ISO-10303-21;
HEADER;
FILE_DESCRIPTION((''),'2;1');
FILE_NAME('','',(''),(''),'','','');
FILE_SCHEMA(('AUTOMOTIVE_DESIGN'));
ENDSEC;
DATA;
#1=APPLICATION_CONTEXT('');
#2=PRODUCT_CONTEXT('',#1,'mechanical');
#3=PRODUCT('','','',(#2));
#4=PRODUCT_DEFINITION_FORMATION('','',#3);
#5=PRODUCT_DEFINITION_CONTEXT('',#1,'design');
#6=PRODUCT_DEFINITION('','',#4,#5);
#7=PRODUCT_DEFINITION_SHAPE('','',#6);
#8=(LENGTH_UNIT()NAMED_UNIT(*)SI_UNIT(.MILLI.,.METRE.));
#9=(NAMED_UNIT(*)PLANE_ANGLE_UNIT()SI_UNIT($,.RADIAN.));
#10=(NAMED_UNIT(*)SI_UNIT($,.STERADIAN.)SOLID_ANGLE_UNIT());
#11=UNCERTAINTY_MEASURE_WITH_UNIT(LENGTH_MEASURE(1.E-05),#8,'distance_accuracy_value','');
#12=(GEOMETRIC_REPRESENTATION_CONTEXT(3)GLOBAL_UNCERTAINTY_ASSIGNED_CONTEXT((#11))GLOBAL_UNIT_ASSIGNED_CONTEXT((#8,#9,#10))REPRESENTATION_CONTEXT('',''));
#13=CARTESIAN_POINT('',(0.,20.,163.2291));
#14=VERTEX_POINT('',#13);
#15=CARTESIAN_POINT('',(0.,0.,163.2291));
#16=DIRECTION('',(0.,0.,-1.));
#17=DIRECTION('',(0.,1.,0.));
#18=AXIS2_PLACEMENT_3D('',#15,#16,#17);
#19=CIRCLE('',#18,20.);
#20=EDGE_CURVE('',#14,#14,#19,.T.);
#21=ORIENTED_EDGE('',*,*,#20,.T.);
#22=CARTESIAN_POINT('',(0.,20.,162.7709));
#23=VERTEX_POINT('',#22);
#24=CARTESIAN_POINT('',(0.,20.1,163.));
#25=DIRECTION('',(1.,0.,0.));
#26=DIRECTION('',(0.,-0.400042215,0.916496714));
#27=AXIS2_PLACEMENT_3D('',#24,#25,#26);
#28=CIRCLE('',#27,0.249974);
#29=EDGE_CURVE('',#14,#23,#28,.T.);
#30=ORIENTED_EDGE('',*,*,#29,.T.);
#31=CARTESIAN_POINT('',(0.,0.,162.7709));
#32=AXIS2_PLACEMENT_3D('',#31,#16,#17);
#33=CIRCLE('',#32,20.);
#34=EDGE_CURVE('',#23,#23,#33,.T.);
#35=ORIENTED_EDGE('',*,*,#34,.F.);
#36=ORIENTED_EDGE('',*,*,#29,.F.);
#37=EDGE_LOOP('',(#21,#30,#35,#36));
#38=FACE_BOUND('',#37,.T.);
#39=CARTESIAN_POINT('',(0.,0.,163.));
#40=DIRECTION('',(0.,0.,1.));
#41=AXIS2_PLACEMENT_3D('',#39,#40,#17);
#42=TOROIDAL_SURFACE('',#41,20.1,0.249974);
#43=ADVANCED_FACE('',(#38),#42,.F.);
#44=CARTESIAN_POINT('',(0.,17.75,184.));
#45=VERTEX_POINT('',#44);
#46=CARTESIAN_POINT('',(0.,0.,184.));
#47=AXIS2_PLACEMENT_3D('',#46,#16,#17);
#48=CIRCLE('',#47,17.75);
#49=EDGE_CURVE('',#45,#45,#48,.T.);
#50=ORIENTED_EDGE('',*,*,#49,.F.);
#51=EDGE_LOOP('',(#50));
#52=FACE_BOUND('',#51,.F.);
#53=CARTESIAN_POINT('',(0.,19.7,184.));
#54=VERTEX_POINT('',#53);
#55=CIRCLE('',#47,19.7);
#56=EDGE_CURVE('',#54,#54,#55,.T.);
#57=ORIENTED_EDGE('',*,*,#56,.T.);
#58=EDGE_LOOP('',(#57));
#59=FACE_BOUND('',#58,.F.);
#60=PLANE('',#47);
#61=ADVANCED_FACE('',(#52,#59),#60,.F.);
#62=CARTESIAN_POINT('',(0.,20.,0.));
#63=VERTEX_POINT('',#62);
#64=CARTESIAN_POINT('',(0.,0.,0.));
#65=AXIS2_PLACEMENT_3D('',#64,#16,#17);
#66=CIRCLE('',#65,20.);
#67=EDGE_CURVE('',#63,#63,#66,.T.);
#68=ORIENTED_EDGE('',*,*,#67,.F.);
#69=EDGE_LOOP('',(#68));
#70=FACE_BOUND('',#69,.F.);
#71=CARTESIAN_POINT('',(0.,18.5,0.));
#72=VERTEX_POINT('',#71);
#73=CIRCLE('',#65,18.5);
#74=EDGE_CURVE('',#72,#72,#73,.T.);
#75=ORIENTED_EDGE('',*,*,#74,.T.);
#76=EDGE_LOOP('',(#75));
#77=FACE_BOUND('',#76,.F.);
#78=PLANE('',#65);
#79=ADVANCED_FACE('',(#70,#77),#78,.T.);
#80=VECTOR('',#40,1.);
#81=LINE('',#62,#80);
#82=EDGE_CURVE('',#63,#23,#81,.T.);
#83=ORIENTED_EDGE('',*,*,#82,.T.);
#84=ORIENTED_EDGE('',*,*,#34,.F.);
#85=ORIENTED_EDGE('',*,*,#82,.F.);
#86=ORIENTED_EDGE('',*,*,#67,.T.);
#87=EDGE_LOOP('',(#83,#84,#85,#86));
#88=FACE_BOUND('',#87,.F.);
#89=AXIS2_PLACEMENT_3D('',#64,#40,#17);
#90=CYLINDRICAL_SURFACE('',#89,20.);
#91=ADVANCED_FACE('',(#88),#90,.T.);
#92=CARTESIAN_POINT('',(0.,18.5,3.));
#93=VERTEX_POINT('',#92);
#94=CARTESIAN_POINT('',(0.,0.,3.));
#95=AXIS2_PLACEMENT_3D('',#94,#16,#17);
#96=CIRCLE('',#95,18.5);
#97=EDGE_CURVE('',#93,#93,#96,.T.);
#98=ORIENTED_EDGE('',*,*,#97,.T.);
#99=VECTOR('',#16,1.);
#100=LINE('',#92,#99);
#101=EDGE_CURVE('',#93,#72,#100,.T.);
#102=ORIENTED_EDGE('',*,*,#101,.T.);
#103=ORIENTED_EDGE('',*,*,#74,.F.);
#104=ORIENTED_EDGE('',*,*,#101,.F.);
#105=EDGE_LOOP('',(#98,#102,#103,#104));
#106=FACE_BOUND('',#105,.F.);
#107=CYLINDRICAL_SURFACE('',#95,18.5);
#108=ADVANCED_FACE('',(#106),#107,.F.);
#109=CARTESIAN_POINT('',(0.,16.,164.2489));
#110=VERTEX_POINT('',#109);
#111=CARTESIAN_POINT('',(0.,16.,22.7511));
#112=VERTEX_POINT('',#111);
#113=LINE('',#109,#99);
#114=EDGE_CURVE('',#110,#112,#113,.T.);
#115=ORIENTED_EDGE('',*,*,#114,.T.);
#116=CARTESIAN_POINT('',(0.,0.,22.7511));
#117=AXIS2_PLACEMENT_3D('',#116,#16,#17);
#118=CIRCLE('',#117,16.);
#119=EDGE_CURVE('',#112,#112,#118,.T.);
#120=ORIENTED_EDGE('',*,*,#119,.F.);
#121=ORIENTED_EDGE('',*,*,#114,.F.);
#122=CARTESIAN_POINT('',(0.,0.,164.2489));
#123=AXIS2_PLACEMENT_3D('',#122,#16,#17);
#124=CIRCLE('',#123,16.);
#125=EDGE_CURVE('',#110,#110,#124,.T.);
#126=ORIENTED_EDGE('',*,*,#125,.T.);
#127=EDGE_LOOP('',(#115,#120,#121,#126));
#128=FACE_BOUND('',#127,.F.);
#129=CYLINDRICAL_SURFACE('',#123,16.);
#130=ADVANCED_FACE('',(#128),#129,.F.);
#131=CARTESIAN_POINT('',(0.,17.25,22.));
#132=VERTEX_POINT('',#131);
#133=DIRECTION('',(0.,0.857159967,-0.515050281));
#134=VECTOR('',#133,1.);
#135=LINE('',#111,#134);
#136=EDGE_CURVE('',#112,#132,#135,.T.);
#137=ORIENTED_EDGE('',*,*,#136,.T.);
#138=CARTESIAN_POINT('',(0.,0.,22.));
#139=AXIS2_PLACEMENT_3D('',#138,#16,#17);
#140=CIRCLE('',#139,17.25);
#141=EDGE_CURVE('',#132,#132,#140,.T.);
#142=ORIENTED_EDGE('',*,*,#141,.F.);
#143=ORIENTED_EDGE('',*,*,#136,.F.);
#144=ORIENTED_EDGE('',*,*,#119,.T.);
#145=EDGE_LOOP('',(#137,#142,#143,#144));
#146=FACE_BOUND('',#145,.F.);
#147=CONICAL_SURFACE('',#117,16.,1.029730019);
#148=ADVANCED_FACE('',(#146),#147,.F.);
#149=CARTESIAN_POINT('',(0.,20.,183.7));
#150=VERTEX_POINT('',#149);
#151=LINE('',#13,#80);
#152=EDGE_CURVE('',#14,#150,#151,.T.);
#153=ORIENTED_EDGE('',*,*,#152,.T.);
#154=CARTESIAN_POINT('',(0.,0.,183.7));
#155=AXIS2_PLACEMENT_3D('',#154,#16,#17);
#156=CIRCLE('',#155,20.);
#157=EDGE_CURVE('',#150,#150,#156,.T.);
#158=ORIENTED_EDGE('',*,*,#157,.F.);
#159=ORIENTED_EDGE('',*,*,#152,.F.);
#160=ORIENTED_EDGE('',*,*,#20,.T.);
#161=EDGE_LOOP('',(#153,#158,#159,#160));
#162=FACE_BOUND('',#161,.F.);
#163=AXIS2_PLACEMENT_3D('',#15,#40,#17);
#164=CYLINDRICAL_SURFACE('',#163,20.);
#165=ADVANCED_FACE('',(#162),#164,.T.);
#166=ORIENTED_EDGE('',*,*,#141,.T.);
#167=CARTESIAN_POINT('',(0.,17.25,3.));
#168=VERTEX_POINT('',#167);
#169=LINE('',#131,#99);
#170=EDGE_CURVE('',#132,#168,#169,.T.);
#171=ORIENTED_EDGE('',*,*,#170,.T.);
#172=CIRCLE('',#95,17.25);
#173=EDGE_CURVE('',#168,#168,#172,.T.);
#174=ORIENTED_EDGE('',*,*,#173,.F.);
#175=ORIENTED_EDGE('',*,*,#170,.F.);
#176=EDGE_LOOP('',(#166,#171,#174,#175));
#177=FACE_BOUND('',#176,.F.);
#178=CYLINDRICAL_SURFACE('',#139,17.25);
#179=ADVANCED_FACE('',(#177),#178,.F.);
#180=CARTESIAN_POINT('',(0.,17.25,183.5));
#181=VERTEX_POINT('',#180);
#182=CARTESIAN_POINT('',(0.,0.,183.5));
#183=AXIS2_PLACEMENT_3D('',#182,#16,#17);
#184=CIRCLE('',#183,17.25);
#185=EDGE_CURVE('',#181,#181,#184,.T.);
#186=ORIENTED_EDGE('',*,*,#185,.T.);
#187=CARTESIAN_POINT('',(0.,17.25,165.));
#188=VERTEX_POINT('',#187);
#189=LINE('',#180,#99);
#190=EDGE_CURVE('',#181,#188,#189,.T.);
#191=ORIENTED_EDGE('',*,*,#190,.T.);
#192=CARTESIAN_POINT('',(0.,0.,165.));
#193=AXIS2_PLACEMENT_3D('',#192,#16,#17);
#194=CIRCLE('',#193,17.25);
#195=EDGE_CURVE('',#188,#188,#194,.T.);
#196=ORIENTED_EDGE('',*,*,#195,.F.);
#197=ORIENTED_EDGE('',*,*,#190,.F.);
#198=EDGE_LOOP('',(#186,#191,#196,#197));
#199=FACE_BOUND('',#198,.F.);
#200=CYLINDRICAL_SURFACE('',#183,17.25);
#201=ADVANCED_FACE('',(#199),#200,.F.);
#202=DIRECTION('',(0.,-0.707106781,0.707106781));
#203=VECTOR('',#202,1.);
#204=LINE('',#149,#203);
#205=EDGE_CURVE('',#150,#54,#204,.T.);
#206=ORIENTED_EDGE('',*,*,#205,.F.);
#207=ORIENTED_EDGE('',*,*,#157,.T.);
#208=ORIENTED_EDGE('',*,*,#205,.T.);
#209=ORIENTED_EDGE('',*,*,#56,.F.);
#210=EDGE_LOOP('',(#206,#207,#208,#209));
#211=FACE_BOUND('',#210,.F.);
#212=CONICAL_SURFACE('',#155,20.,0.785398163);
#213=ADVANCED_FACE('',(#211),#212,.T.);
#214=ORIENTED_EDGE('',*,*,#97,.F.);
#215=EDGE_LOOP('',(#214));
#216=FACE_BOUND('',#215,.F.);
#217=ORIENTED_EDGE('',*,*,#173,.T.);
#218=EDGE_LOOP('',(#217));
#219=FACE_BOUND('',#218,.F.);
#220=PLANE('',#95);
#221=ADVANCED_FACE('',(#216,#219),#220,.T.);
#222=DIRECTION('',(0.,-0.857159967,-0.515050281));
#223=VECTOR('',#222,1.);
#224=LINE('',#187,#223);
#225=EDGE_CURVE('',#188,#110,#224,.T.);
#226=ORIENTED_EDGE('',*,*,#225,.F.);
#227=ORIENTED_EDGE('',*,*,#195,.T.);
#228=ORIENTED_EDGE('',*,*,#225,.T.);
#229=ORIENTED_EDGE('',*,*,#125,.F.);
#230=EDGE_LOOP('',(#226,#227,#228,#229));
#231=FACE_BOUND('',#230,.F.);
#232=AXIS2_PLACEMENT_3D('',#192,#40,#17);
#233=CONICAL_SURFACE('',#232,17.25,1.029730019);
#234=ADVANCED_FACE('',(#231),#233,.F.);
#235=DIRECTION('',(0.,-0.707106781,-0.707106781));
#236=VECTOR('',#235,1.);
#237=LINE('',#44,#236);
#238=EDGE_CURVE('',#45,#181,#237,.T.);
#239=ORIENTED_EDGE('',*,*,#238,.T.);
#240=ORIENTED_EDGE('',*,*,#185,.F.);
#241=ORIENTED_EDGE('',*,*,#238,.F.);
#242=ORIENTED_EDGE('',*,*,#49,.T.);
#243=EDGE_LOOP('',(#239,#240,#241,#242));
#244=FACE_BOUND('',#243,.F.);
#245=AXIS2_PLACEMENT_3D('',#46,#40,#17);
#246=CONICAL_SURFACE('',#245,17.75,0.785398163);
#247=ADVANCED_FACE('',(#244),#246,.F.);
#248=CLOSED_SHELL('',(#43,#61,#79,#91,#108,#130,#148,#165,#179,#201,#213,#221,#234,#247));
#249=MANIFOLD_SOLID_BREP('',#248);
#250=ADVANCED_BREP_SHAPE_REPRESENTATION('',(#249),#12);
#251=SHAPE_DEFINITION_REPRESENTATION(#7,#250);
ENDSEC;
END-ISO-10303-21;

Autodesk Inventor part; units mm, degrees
sketch "Sketch_1" plane through (0, 0, 0) normal (1, 0, 0) x (0, 0, -1)
  line L0 (0, 0) -> (-184, 0)
  line L1 (-184, 19.7) -> (-184, 17.75)
  line L2 (-184, 17.75) -> (-183.5, 17.25)
  line L3 (-183.5, 17.25) -> (-165, 17.25)
  line L4 (-165, 17.25) -> (-164.2489, 16)
  line L5 (-164.2489, 16) -> (-22.7511, 16)
  line L6 (-22.7511, 16) -> (-22, 17.25)
  line L7 (-22, 17.25) -> (-3, 17.25)
  line L8 (-3, 17.25) -> (-3, 18.5)
  line L9 (-3, 18.5) -> (0, 18.5)
  line L10 (0, 18.5) -> (0, 20)
  line L11 (0, 20) -> (-162.7709, 20)
  arc A0 (-163.2291, 20) -> (-162.7709, 20) centre (-163, 20.1) ccw
  line L12 (-163.2291, 20) -> (-183.7, 20)
  line L13 (-183.7, 20) -> (-184, 19.7)
revolve "Revolution1" add sketch "Sketch_1" angle 360 about axis through (0, 0, 0) along (0, 0, -1)
ref_plane "ABDECKKAPPE_XY" through (0, 0, 158) normal (0, 0, 1) x (1, 0, 0)
ref_plane "ABDECKKAPPE_YZ" through (0, 0, 158) normal (1, 0, 0) x (0, 1, 0)
ref_plane "ABDECKKAPPE_ZX" through (0, 0, 158) normal (0, 1, 0) x (0, 0, 1)
ref_plane "SCHUBSTANGE_XY" through (0, 0, 184) normal (0, 0, -1) x (1, 0, 0)
ref_plane "SCHUBSTANGE_YZ" through (0, 0, 184) normal (1, 0, 0) x (0, -1, 0)
ref_plane "SCHUBSTANGE_ZX" through (0, 0, 184) normal (0, -1, 0) x (0, 0, -1)
properties part number "SLZ_63_Schubstange#_274.5_1001"
